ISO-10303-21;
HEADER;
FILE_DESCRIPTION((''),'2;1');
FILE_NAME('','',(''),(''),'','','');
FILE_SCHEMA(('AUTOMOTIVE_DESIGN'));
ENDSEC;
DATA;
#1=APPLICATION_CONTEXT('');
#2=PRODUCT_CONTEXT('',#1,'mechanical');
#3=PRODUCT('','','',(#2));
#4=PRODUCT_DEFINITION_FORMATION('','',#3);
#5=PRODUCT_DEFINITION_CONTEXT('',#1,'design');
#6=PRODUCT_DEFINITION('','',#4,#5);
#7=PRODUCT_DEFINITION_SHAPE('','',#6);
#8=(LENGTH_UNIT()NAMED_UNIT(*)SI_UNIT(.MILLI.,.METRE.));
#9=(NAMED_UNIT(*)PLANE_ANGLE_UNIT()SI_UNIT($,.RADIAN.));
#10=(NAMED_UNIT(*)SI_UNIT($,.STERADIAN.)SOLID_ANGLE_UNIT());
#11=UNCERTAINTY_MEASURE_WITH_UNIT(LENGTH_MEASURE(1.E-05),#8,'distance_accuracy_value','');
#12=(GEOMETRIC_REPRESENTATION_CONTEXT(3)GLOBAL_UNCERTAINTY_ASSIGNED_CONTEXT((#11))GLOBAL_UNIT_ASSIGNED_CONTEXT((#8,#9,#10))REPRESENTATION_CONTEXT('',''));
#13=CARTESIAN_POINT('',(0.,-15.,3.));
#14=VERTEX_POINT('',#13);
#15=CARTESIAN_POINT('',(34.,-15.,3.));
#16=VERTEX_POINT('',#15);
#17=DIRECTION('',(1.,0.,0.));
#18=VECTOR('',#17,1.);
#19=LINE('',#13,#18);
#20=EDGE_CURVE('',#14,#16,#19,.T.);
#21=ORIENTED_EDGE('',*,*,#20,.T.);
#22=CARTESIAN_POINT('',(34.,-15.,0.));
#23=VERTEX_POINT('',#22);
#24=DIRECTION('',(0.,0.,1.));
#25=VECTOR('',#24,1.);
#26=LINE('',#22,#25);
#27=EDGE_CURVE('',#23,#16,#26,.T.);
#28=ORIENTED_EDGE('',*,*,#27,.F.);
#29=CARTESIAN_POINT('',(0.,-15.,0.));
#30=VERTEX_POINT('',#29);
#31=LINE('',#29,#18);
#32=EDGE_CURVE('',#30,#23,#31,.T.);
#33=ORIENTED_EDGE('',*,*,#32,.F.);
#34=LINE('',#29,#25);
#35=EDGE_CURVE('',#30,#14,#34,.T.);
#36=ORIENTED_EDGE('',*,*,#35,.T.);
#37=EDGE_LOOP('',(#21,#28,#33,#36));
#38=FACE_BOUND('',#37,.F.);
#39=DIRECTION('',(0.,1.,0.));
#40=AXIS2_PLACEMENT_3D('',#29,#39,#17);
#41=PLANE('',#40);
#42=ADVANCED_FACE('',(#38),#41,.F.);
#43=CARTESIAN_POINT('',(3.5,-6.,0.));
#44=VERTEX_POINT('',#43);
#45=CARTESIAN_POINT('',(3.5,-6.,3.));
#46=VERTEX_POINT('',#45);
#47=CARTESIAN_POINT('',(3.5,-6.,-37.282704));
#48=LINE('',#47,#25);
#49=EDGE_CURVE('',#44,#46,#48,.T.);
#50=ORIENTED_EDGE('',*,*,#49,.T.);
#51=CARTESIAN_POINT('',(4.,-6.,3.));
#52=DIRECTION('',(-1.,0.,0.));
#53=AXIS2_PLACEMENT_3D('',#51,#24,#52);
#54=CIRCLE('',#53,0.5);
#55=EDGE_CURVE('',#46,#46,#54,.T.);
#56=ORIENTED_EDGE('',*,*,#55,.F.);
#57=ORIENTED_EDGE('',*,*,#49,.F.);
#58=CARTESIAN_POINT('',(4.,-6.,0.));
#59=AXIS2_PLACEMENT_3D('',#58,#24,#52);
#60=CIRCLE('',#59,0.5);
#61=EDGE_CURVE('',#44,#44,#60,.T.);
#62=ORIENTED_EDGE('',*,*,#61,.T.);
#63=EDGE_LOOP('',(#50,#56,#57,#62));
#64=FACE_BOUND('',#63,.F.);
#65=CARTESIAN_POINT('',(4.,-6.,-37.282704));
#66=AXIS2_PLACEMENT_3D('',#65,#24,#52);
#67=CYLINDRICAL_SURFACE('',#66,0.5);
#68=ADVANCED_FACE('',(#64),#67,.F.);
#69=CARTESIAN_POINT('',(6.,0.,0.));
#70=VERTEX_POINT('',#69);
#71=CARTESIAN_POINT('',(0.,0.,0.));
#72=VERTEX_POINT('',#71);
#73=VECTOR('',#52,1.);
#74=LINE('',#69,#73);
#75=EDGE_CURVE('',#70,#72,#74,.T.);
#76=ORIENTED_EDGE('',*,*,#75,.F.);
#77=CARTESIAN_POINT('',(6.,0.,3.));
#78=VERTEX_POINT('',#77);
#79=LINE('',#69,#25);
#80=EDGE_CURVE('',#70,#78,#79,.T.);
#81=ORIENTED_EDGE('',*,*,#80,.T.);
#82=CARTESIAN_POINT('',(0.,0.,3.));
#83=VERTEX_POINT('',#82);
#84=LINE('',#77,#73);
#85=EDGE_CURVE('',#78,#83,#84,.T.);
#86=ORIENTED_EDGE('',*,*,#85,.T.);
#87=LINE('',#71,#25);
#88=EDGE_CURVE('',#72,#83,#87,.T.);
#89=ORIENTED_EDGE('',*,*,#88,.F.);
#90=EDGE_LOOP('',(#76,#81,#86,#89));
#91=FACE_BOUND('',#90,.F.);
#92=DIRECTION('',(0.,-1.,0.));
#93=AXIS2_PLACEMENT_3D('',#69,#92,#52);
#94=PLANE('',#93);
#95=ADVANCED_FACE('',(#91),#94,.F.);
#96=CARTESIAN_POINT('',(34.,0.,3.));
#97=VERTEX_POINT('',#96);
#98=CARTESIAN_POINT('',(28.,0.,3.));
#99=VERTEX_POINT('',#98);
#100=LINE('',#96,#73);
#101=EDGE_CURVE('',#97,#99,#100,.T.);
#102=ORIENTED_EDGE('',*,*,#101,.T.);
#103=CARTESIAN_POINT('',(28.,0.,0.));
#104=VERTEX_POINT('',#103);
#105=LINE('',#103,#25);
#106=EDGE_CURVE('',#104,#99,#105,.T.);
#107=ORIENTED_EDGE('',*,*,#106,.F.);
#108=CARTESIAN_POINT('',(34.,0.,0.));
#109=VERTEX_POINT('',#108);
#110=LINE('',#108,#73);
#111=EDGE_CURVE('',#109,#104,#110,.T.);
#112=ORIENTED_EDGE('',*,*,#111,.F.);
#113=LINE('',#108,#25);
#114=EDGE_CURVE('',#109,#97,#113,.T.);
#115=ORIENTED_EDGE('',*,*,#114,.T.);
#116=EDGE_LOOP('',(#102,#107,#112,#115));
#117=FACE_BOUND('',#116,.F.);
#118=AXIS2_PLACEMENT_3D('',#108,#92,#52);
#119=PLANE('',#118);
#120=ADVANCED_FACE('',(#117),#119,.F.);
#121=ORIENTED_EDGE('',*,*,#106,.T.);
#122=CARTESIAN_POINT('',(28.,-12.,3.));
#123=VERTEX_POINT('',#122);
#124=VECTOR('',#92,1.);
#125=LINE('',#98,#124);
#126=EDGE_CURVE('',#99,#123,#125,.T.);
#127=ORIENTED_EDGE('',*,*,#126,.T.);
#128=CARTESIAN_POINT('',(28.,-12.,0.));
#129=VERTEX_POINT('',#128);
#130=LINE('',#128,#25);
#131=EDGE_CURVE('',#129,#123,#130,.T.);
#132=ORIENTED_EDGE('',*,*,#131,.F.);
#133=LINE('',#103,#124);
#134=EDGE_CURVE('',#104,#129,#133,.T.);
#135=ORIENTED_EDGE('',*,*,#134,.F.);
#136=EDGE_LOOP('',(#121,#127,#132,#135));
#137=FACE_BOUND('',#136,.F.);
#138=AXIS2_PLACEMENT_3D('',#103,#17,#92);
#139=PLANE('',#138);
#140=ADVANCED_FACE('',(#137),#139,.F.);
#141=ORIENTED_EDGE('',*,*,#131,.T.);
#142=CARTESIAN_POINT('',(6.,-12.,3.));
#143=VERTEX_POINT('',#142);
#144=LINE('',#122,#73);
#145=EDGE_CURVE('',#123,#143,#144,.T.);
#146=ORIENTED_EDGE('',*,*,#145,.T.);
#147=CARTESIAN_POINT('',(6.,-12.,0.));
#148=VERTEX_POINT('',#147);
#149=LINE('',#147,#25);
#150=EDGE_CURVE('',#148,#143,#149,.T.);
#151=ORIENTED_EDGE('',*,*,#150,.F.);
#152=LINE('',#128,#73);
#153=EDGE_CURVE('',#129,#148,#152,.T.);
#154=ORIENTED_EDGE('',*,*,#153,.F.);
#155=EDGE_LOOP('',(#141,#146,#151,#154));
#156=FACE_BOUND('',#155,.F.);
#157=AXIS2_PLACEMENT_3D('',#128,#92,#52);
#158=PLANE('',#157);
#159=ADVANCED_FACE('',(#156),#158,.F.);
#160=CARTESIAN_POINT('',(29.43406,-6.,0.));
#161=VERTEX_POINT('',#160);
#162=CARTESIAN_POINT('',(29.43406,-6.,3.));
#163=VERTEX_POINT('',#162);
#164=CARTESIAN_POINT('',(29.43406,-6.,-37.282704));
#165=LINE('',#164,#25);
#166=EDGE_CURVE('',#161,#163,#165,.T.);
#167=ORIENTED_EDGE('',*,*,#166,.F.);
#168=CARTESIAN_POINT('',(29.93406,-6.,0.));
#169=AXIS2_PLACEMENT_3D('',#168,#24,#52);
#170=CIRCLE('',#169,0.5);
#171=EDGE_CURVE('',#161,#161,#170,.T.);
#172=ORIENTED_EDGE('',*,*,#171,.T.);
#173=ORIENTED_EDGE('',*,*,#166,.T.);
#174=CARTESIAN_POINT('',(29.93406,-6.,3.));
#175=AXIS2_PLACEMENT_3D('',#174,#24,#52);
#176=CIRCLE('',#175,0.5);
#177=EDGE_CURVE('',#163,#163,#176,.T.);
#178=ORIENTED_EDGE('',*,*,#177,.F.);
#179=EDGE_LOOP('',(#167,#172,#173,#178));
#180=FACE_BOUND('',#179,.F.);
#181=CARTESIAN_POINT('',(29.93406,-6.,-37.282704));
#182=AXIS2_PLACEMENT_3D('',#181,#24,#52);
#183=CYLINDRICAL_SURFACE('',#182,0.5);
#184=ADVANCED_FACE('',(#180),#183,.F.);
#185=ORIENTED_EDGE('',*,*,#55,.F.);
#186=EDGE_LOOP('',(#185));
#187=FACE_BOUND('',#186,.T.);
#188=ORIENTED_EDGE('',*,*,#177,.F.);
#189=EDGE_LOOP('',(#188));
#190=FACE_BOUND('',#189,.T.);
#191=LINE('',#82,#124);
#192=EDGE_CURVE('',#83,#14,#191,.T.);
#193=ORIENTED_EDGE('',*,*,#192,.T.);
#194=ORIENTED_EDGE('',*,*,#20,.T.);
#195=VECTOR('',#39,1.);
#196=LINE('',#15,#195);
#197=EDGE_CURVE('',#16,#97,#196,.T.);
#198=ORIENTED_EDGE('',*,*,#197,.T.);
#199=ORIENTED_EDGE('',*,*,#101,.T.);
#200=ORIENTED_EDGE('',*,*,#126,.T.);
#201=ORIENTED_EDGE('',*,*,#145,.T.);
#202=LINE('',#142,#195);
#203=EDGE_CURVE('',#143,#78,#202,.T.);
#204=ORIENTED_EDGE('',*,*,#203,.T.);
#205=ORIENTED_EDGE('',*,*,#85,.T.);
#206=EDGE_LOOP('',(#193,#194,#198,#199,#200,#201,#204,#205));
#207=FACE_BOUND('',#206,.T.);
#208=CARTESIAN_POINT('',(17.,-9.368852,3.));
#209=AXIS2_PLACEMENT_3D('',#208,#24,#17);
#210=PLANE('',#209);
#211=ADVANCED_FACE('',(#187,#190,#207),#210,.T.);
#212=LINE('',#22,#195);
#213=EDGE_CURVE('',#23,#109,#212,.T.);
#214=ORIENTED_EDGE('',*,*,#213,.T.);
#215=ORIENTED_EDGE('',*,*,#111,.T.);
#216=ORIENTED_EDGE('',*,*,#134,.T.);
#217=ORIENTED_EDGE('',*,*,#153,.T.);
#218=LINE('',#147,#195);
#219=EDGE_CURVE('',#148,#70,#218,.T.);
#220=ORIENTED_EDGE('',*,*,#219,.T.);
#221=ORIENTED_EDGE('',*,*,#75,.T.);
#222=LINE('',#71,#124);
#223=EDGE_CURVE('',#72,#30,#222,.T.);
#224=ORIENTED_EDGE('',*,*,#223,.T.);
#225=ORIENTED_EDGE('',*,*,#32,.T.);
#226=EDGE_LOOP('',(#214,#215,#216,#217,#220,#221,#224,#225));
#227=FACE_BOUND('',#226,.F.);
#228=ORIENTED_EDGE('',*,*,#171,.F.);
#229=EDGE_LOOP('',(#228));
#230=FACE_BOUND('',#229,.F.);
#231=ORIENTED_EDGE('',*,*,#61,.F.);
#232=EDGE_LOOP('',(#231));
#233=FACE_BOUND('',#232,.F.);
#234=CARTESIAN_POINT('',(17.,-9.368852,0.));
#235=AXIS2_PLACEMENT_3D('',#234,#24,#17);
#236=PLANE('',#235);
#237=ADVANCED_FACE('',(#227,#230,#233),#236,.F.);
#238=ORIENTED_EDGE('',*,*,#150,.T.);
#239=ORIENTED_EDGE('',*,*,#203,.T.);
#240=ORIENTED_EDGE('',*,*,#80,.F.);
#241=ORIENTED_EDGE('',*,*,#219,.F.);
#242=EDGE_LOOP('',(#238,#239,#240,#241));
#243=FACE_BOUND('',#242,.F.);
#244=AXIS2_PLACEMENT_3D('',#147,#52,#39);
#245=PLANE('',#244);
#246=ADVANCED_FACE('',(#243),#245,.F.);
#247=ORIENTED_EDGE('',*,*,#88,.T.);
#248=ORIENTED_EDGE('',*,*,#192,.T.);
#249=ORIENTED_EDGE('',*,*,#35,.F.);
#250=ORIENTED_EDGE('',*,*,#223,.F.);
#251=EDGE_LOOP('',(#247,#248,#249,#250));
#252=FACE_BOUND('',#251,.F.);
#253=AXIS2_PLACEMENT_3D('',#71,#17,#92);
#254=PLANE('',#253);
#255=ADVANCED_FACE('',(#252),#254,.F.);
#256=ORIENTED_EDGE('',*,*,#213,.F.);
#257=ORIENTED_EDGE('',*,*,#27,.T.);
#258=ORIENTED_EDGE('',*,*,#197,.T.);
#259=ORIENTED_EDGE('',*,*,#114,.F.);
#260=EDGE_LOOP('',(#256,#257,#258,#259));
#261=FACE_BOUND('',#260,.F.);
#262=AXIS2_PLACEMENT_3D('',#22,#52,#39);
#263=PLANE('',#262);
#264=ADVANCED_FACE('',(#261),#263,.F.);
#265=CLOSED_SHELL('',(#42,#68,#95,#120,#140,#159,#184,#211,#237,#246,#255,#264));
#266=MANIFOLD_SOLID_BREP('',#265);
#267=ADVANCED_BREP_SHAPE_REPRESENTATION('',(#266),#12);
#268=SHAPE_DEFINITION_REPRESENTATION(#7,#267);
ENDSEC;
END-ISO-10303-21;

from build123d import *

# Parameters (mm, degrees)
F1_DEPTH = 3
F3_D     = 1
F5_D     = 1


with BuildPart() as f1:
    # F0 (on Top) → F1 (new body)
    with BuildSketch(Plane.XY):
        Polygon((6, 0), (0, 0), (0, -15), (34, -15), (34, 0), (28, 0), (28, -12), (6, -12), align=None)
    extrude(amount=F1_DEPTH)

    # F3 (through all)
    with Locations(Plane(origin=(0, 0, 0), x_dir=(1, 0, 0), z_dir=(0, 0, -1))):
        with Locations((4, 6)):
            Hole(F3_D / 2)

    # F5 (through all)
    with Locations(Plane(origin=(0, 0, 0), x_dir=(1, 0, 0), z_dir=(0, 0, -1))):
        with Locations((29.9340598285, 6)):
            Hole(F5_D / 2)


solid = f1.part
